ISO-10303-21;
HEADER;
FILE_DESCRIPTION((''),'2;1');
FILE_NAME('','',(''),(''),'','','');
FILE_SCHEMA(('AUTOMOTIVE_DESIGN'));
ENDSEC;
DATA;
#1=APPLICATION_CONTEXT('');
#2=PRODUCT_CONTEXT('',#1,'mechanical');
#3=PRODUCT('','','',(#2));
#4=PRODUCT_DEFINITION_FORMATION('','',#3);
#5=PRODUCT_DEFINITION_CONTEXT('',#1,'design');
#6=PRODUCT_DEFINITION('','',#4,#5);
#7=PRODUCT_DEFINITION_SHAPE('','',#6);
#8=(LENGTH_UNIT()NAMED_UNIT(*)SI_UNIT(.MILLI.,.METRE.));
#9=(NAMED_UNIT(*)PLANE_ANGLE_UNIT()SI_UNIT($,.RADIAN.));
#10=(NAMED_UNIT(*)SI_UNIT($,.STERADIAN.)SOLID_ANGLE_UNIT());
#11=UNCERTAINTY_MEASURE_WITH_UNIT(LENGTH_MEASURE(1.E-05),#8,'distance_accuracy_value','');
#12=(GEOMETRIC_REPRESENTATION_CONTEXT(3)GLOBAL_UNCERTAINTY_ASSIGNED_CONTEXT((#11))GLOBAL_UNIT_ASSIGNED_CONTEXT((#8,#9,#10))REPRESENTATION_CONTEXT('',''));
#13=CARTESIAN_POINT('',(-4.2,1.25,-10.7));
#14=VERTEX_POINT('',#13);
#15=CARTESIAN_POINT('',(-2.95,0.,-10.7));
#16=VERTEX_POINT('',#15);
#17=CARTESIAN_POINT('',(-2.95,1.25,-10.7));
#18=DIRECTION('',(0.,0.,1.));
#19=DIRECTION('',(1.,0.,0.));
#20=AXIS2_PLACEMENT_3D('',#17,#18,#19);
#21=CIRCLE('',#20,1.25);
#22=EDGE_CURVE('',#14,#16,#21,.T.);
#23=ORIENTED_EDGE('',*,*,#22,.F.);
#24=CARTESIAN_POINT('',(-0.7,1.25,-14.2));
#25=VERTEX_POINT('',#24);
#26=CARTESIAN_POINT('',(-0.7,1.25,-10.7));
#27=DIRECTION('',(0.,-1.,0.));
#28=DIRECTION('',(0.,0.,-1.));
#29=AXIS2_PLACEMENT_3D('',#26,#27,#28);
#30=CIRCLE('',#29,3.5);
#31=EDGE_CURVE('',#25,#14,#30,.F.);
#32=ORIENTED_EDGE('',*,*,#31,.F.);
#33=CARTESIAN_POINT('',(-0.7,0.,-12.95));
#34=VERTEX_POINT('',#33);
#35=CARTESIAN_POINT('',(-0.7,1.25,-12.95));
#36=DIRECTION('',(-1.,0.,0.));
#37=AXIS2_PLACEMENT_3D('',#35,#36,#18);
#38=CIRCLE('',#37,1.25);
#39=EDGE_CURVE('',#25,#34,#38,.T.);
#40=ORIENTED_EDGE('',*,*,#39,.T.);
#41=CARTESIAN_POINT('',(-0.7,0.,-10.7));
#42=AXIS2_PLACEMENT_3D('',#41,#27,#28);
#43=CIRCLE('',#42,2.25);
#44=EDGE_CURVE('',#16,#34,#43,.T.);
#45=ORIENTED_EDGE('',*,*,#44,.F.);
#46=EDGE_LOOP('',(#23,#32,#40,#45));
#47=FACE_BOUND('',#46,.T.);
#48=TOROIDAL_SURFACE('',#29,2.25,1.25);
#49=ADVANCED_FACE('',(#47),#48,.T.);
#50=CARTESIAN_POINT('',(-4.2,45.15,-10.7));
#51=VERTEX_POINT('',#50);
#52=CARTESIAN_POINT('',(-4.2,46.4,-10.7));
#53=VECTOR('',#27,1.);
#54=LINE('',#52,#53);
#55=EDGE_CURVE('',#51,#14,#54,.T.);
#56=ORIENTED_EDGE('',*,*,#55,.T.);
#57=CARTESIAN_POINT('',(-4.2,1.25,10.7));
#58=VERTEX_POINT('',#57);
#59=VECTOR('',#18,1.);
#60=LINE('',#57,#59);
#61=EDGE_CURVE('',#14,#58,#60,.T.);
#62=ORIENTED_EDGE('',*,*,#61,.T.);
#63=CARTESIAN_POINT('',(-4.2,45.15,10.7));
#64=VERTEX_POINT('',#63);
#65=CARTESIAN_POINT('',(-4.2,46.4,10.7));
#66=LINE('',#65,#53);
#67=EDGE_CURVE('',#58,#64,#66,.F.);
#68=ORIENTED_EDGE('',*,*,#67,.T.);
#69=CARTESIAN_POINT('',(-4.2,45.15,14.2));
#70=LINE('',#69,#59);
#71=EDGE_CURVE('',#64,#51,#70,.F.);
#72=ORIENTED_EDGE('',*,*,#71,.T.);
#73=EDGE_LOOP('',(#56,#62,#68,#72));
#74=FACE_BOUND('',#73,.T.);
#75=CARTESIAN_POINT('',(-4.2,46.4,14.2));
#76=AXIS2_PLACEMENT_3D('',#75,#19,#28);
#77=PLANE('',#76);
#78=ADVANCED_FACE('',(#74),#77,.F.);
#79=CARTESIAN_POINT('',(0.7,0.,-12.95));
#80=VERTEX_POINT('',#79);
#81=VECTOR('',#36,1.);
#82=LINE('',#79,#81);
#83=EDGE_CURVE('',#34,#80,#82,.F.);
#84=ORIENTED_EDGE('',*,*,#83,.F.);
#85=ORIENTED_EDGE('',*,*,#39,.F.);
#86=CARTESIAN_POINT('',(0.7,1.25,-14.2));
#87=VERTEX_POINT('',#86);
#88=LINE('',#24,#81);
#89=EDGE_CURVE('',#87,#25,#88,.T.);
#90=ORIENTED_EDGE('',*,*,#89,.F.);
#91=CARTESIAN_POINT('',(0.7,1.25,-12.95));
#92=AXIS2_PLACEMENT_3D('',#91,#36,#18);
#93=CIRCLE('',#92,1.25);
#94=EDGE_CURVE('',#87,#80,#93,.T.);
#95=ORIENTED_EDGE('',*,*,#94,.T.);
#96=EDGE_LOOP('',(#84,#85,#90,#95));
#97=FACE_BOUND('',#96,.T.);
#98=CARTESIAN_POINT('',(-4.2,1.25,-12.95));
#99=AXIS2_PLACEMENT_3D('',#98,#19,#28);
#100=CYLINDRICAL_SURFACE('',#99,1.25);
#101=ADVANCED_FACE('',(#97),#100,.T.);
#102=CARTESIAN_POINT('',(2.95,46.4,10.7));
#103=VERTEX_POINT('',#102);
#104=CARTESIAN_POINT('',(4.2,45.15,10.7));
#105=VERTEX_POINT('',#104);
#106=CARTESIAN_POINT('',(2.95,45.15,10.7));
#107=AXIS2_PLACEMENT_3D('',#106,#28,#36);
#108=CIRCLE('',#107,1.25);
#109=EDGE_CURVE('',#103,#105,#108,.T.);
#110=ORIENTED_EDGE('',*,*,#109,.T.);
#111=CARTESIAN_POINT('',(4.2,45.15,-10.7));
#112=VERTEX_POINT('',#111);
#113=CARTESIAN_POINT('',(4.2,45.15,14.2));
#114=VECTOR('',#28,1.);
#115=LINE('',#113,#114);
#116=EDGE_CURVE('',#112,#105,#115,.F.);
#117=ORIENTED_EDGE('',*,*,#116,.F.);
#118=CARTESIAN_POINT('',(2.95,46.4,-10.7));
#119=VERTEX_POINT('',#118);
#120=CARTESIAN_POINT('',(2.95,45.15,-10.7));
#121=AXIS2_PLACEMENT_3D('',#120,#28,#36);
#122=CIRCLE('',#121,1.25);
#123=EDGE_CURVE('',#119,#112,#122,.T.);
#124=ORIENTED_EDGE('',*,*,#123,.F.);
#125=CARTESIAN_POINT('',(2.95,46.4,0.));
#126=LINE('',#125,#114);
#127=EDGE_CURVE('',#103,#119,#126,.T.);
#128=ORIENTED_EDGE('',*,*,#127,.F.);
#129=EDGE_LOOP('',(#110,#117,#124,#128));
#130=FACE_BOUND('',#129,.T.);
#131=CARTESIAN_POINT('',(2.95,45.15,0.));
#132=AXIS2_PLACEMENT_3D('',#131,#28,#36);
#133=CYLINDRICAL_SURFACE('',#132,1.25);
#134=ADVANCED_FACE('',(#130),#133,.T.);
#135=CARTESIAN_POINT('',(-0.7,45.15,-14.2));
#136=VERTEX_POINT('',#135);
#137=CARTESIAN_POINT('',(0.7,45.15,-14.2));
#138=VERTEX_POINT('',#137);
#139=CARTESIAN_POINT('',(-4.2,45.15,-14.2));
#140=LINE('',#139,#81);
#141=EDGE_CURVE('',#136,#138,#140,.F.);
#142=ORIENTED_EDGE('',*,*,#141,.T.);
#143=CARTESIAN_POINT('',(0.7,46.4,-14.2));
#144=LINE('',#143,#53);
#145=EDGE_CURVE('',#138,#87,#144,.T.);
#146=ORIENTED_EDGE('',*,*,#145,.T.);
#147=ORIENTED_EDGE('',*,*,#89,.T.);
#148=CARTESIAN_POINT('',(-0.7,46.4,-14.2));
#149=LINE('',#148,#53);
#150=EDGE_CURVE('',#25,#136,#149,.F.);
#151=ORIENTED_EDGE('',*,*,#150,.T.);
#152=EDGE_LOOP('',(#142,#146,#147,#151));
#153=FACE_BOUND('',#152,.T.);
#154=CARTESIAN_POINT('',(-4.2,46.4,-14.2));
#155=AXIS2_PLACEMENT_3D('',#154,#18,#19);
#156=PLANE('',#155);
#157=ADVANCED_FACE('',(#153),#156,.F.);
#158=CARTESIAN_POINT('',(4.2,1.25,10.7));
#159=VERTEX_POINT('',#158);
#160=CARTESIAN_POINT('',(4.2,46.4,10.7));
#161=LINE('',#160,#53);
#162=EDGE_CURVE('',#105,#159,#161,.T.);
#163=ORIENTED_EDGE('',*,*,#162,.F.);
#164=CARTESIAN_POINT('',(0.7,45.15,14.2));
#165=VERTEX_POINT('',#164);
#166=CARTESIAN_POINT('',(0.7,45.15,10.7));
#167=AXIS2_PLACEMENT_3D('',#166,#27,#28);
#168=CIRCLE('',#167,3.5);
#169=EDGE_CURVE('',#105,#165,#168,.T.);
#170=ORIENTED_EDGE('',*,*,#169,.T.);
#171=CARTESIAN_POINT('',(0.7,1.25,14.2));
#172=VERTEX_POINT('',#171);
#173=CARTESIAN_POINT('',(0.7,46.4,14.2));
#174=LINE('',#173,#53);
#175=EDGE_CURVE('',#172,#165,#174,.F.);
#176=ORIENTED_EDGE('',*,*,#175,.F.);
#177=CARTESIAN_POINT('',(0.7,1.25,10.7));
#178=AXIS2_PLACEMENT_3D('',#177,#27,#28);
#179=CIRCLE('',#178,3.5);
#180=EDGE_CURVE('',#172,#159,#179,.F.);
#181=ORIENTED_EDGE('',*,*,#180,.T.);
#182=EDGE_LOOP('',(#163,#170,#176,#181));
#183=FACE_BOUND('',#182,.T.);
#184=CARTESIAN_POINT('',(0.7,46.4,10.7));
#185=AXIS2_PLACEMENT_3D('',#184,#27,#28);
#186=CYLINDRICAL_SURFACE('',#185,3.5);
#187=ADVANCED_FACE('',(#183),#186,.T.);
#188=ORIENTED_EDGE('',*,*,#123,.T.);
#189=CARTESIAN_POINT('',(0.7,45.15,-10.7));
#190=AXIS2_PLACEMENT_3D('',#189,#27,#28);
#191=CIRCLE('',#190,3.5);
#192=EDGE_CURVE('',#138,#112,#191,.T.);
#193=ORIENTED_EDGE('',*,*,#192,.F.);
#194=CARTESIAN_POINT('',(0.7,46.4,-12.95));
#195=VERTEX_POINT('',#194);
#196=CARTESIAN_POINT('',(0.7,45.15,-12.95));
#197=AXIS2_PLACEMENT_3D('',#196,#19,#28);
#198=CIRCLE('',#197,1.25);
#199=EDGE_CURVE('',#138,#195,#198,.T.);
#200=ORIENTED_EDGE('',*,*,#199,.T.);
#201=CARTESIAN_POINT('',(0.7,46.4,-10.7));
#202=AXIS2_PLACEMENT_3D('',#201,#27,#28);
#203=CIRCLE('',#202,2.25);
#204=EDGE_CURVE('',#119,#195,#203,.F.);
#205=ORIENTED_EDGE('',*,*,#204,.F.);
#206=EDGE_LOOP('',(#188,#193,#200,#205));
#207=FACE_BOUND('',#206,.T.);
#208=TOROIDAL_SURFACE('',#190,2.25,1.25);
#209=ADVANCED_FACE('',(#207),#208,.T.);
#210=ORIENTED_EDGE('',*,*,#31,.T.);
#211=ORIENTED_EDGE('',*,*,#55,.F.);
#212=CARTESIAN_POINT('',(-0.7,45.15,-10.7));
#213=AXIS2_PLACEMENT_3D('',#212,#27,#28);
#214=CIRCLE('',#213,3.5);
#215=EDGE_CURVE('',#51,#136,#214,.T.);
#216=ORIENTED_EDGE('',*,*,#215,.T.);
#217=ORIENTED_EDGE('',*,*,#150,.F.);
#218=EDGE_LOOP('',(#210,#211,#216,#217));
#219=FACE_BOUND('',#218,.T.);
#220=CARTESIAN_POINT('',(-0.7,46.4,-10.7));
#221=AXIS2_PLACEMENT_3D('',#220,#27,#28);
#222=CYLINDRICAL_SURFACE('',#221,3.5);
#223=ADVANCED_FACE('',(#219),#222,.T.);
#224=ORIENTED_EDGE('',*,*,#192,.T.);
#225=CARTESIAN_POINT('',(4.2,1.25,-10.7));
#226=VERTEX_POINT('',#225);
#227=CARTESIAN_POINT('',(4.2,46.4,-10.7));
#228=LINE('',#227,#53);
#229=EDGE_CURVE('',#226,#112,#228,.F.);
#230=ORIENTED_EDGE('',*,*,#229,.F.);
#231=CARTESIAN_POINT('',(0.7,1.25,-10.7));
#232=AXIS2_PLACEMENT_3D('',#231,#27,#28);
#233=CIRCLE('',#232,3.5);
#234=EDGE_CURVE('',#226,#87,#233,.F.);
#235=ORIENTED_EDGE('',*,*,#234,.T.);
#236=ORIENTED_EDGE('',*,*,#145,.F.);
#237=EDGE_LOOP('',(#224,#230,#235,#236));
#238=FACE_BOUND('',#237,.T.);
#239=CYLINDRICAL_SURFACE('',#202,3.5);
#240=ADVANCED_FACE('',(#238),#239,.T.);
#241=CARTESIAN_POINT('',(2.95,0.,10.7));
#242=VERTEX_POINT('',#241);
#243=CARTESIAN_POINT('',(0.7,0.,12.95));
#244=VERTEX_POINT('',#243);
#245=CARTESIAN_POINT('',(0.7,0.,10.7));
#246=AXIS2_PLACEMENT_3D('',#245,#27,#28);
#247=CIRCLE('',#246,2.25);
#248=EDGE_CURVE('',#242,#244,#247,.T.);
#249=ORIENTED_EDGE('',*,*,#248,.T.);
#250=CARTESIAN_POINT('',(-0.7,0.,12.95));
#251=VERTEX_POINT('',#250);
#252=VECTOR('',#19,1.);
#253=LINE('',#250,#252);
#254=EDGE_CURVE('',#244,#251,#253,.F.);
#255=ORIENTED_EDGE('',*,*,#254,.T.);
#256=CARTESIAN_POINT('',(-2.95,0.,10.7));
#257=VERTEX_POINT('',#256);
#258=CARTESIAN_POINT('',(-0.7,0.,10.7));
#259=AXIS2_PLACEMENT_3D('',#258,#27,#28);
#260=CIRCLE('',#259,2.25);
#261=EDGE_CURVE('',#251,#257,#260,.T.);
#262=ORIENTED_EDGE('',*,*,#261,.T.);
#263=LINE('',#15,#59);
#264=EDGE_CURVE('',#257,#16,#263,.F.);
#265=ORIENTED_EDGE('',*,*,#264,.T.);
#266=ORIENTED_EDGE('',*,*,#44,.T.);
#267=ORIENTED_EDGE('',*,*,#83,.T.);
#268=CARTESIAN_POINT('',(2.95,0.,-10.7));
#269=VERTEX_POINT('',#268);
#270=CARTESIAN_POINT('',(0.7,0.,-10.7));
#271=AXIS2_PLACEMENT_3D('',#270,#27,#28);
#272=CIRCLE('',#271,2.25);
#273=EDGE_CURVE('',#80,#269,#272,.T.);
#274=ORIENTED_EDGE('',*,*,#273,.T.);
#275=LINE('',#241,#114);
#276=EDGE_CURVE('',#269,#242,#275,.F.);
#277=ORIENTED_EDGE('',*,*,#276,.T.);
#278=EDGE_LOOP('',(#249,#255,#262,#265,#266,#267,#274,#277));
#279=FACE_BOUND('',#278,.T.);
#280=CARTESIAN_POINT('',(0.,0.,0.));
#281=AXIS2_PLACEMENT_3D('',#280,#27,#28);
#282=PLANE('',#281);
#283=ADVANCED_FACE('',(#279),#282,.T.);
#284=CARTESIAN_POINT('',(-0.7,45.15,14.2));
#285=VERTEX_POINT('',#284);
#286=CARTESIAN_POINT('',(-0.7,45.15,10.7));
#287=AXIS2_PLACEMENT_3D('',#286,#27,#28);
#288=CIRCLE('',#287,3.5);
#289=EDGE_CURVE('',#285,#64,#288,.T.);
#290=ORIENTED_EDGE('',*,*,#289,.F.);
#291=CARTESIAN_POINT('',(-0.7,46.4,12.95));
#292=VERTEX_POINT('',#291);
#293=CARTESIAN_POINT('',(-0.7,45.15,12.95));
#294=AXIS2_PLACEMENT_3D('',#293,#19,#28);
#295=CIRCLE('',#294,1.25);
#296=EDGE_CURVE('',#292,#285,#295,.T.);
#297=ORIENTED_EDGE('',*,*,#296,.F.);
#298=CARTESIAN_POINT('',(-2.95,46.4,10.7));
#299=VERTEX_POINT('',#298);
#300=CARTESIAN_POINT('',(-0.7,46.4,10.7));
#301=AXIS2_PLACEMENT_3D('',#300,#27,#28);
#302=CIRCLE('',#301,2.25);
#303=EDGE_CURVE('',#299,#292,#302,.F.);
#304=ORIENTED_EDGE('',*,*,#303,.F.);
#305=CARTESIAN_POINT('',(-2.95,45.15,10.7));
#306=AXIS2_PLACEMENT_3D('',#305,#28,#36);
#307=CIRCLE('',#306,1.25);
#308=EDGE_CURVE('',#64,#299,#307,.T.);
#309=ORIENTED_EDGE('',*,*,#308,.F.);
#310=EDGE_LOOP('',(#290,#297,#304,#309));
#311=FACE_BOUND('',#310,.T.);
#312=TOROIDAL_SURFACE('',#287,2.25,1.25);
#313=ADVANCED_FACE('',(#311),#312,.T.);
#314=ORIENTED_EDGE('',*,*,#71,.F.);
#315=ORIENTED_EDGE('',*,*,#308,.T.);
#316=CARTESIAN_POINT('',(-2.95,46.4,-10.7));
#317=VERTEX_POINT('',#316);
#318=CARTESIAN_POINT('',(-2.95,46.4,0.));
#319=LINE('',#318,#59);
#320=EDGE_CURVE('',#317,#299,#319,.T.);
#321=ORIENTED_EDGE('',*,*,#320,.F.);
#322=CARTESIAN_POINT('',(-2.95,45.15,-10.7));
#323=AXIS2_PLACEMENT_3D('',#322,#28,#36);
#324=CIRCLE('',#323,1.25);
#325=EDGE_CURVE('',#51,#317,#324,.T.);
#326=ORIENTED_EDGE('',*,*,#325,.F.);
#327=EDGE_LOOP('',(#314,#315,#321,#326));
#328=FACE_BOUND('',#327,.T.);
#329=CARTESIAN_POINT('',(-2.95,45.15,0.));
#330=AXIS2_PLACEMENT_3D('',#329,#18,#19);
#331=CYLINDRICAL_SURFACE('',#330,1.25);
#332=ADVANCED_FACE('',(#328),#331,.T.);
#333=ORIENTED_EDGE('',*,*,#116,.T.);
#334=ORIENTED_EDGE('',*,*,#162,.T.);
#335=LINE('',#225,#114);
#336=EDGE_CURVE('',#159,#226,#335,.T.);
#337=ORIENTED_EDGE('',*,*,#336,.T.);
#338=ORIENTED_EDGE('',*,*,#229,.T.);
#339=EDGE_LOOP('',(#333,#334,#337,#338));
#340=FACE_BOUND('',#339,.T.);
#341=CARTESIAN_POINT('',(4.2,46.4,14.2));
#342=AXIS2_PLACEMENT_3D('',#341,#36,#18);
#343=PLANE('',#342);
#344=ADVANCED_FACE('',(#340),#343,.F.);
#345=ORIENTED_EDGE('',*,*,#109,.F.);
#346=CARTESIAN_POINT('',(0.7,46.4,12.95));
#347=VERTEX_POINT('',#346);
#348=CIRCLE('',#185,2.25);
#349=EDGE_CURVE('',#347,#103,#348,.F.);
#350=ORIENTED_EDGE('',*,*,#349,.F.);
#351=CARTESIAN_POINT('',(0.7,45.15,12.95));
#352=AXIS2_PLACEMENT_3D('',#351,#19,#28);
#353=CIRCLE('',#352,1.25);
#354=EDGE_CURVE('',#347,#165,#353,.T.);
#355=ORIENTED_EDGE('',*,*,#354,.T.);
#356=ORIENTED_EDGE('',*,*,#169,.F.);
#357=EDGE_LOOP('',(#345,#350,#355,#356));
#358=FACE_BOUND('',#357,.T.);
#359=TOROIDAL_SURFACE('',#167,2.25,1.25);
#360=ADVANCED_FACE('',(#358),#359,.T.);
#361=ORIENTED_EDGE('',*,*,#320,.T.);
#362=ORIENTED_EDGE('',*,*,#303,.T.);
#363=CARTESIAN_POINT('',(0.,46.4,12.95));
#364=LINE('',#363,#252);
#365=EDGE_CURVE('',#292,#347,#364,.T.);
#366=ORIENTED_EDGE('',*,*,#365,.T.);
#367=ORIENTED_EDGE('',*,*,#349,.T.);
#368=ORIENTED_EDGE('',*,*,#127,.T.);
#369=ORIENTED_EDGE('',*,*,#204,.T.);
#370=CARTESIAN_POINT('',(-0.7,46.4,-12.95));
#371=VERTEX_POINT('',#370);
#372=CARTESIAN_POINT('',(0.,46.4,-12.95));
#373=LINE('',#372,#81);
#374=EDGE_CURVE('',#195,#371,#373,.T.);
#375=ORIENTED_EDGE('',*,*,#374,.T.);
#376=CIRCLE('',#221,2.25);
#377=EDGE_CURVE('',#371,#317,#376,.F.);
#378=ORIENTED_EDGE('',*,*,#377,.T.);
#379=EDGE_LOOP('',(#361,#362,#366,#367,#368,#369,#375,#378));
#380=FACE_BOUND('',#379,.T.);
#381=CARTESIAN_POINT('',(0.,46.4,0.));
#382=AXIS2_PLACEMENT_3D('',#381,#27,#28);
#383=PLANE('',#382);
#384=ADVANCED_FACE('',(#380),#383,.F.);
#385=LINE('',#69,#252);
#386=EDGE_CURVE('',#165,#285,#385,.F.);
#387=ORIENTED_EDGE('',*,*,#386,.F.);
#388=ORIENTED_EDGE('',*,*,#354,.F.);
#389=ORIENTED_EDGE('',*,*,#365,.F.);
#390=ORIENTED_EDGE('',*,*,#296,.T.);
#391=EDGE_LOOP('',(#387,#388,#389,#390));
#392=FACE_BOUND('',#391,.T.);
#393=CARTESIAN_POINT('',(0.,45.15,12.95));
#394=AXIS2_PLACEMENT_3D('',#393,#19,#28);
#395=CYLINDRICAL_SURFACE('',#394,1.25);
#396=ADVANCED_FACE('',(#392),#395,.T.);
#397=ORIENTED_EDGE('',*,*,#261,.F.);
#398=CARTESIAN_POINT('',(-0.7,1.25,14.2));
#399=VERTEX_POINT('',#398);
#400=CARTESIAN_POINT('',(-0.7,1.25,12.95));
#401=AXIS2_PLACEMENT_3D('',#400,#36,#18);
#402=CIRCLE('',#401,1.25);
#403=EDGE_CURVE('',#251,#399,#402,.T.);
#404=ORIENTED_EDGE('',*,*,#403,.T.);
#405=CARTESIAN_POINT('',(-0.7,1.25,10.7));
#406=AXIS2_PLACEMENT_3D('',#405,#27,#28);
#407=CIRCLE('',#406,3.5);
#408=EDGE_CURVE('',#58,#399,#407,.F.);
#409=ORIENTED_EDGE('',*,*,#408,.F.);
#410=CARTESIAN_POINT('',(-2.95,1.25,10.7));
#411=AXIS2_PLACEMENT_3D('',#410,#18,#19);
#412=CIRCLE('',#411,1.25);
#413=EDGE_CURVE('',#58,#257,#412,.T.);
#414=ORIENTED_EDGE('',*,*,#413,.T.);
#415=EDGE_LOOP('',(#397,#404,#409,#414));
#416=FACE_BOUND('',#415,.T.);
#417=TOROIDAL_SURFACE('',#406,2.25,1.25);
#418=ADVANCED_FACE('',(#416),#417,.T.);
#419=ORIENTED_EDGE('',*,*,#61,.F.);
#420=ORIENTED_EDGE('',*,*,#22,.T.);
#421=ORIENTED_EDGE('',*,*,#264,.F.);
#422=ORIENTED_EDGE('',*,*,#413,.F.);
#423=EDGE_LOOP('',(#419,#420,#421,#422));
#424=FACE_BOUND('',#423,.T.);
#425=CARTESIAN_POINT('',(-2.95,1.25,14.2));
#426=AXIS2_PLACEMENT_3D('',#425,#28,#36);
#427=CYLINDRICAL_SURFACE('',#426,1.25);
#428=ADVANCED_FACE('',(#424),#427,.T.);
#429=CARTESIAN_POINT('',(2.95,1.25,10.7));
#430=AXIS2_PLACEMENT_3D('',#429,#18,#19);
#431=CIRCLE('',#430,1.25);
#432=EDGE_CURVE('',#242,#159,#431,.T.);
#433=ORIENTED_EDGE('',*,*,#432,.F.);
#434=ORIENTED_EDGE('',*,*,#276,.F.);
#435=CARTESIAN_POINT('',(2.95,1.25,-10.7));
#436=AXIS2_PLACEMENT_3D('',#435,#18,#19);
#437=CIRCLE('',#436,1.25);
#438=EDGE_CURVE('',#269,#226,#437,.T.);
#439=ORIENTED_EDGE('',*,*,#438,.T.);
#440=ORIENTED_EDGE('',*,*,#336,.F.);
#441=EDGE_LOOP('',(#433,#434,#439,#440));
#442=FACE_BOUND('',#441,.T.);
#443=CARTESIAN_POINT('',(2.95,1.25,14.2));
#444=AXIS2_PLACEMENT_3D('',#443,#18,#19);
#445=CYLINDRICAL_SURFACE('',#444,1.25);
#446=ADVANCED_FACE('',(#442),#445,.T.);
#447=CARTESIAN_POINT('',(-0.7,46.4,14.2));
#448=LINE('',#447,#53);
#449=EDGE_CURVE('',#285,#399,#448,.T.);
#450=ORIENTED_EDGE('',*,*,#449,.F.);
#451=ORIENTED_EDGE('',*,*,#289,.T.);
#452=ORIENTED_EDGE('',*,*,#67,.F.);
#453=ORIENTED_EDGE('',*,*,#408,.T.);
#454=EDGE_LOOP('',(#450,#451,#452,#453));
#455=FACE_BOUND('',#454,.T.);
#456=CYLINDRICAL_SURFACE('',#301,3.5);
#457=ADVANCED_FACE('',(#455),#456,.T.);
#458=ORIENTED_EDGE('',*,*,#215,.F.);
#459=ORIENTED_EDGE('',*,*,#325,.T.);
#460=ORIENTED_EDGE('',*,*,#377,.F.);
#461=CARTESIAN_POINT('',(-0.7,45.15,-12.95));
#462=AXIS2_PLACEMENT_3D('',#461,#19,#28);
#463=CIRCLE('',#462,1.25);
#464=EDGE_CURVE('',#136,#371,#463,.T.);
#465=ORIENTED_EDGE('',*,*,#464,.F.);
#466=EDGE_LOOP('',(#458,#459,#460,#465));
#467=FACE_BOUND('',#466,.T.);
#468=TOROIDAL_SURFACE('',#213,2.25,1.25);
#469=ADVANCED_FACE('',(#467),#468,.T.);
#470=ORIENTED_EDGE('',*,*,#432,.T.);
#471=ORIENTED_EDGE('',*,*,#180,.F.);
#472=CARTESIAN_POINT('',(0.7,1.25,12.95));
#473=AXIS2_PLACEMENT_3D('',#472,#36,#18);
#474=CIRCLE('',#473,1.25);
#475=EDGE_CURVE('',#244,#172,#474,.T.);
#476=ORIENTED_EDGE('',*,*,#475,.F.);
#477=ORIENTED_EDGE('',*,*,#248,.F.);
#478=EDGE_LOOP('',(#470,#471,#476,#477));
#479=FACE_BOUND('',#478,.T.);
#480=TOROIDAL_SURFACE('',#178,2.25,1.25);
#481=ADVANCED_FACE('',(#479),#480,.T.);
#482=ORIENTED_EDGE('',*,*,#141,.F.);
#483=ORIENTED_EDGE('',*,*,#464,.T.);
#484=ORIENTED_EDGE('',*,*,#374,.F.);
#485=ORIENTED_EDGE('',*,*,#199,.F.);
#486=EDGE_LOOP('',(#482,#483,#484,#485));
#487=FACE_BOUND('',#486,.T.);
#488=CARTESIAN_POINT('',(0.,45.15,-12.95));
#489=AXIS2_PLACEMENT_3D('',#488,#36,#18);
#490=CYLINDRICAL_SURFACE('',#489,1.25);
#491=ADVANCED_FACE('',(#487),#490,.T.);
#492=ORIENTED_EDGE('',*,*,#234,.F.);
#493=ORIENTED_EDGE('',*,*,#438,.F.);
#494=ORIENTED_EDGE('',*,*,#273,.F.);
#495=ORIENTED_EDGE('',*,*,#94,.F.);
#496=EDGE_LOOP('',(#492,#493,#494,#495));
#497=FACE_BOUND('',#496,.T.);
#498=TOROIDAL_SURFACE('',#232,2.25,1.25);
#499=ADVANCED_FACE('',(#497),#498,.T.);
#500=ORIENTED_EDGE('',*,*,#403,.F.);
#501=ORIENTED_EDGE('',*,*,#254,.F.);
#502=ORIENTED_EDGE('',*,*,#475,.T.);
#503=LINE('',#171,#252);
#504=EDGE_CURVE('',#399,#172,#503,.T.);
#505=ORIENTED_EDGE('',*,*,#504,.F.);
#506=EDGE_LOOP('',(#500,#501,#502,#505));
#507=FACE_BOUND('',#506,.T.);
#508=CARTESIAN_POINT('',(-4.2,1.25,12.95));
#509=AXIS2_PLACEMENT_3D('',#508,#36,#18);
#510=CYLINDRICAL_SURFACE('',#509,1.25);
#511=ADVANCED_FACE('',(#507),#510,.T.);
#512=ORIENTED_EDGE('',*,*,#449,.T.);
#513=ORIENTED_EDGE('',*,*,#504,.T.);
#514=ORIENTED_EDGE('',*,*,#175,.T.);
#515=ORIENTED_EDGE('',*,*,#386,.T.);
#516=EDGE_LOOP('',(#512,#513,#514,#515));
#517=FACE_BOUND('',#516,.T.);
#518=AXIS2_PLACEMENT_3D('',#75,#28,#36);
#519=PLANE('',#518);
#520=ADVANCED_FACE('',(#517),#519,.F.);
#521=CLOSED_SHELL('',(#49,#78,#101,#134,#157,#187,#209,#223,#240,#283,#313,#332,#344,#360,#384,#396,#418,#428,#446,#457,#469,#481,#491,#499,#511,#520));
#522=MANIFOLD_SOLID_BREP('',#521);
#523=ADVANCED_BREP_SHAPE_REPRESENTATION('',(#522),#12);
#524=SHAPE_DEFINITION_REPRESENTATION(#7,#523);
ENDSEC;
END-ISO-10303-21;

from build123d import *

# Parameters (mm, degrees)
SKETCH1_W           = 8.4
SKETCH1_H           = 28.4
BOSS_EXTRUDE1_DEPTH = 46.4
FILLET1_R           = 3.5
FILLET2_R           = 1.25


with BuildPart() as part:
    # Sketch1 → Boss-Extrude1 (new body)
    with BuildSketch(Plane(origin=(0, 0, 0), x_dir=(1, 0, 0), z_dir=(0, 1, 0))):
        Rectangle(SKETCH1_W, SKETCH1_H)
    extrude(amount=BOSS_EXTRUDE1_DEPTH)

    # Fillet1
    fillet1_edges = [part.edges().sort_by_distance(p)[0] for p in [
        (4.2, 23.2, 14.2),
        (-4.2, 23.2, 14.2),
        (-4.2, 23.2, -14.2),
        (4.2, 23.2, -14.2),
    ]]
    fillet(fillet1_edges, radius=FILLET1_R)

    # Fillet2
    fillet2_edges = [part.edges().sort_by_distance(p)[0] for p in [
        (-4.2, 0, 0),
        (-4.2, 46.4, 0),
        (4.2, 0, 0),
        (0, 0, 14.2),
        (0, 0, -14.2),
        (-3.174873734, 0, 13.174873734),
        (3.174873734, 0, 13.174873734),
        (3.174873734, 0, -13.174873734),
        (-3.174873734, 0, -13.174873734),
        (0, 46.4, -14.2),
        (4.2, 46.4, 0),
        (0, 46.4, 14.2),
        (-3.174873734, 46.4, 13.174873734),
        (3.174873734, 46.4, 13.174873734),
        (3.174873734, 46.4, -13.174873734),
        (-3.174873734, 46.4, -13.174873734),
    ]]
    fillet(fillet2_edges, radius=FILLET2_R)


solid = part.part
